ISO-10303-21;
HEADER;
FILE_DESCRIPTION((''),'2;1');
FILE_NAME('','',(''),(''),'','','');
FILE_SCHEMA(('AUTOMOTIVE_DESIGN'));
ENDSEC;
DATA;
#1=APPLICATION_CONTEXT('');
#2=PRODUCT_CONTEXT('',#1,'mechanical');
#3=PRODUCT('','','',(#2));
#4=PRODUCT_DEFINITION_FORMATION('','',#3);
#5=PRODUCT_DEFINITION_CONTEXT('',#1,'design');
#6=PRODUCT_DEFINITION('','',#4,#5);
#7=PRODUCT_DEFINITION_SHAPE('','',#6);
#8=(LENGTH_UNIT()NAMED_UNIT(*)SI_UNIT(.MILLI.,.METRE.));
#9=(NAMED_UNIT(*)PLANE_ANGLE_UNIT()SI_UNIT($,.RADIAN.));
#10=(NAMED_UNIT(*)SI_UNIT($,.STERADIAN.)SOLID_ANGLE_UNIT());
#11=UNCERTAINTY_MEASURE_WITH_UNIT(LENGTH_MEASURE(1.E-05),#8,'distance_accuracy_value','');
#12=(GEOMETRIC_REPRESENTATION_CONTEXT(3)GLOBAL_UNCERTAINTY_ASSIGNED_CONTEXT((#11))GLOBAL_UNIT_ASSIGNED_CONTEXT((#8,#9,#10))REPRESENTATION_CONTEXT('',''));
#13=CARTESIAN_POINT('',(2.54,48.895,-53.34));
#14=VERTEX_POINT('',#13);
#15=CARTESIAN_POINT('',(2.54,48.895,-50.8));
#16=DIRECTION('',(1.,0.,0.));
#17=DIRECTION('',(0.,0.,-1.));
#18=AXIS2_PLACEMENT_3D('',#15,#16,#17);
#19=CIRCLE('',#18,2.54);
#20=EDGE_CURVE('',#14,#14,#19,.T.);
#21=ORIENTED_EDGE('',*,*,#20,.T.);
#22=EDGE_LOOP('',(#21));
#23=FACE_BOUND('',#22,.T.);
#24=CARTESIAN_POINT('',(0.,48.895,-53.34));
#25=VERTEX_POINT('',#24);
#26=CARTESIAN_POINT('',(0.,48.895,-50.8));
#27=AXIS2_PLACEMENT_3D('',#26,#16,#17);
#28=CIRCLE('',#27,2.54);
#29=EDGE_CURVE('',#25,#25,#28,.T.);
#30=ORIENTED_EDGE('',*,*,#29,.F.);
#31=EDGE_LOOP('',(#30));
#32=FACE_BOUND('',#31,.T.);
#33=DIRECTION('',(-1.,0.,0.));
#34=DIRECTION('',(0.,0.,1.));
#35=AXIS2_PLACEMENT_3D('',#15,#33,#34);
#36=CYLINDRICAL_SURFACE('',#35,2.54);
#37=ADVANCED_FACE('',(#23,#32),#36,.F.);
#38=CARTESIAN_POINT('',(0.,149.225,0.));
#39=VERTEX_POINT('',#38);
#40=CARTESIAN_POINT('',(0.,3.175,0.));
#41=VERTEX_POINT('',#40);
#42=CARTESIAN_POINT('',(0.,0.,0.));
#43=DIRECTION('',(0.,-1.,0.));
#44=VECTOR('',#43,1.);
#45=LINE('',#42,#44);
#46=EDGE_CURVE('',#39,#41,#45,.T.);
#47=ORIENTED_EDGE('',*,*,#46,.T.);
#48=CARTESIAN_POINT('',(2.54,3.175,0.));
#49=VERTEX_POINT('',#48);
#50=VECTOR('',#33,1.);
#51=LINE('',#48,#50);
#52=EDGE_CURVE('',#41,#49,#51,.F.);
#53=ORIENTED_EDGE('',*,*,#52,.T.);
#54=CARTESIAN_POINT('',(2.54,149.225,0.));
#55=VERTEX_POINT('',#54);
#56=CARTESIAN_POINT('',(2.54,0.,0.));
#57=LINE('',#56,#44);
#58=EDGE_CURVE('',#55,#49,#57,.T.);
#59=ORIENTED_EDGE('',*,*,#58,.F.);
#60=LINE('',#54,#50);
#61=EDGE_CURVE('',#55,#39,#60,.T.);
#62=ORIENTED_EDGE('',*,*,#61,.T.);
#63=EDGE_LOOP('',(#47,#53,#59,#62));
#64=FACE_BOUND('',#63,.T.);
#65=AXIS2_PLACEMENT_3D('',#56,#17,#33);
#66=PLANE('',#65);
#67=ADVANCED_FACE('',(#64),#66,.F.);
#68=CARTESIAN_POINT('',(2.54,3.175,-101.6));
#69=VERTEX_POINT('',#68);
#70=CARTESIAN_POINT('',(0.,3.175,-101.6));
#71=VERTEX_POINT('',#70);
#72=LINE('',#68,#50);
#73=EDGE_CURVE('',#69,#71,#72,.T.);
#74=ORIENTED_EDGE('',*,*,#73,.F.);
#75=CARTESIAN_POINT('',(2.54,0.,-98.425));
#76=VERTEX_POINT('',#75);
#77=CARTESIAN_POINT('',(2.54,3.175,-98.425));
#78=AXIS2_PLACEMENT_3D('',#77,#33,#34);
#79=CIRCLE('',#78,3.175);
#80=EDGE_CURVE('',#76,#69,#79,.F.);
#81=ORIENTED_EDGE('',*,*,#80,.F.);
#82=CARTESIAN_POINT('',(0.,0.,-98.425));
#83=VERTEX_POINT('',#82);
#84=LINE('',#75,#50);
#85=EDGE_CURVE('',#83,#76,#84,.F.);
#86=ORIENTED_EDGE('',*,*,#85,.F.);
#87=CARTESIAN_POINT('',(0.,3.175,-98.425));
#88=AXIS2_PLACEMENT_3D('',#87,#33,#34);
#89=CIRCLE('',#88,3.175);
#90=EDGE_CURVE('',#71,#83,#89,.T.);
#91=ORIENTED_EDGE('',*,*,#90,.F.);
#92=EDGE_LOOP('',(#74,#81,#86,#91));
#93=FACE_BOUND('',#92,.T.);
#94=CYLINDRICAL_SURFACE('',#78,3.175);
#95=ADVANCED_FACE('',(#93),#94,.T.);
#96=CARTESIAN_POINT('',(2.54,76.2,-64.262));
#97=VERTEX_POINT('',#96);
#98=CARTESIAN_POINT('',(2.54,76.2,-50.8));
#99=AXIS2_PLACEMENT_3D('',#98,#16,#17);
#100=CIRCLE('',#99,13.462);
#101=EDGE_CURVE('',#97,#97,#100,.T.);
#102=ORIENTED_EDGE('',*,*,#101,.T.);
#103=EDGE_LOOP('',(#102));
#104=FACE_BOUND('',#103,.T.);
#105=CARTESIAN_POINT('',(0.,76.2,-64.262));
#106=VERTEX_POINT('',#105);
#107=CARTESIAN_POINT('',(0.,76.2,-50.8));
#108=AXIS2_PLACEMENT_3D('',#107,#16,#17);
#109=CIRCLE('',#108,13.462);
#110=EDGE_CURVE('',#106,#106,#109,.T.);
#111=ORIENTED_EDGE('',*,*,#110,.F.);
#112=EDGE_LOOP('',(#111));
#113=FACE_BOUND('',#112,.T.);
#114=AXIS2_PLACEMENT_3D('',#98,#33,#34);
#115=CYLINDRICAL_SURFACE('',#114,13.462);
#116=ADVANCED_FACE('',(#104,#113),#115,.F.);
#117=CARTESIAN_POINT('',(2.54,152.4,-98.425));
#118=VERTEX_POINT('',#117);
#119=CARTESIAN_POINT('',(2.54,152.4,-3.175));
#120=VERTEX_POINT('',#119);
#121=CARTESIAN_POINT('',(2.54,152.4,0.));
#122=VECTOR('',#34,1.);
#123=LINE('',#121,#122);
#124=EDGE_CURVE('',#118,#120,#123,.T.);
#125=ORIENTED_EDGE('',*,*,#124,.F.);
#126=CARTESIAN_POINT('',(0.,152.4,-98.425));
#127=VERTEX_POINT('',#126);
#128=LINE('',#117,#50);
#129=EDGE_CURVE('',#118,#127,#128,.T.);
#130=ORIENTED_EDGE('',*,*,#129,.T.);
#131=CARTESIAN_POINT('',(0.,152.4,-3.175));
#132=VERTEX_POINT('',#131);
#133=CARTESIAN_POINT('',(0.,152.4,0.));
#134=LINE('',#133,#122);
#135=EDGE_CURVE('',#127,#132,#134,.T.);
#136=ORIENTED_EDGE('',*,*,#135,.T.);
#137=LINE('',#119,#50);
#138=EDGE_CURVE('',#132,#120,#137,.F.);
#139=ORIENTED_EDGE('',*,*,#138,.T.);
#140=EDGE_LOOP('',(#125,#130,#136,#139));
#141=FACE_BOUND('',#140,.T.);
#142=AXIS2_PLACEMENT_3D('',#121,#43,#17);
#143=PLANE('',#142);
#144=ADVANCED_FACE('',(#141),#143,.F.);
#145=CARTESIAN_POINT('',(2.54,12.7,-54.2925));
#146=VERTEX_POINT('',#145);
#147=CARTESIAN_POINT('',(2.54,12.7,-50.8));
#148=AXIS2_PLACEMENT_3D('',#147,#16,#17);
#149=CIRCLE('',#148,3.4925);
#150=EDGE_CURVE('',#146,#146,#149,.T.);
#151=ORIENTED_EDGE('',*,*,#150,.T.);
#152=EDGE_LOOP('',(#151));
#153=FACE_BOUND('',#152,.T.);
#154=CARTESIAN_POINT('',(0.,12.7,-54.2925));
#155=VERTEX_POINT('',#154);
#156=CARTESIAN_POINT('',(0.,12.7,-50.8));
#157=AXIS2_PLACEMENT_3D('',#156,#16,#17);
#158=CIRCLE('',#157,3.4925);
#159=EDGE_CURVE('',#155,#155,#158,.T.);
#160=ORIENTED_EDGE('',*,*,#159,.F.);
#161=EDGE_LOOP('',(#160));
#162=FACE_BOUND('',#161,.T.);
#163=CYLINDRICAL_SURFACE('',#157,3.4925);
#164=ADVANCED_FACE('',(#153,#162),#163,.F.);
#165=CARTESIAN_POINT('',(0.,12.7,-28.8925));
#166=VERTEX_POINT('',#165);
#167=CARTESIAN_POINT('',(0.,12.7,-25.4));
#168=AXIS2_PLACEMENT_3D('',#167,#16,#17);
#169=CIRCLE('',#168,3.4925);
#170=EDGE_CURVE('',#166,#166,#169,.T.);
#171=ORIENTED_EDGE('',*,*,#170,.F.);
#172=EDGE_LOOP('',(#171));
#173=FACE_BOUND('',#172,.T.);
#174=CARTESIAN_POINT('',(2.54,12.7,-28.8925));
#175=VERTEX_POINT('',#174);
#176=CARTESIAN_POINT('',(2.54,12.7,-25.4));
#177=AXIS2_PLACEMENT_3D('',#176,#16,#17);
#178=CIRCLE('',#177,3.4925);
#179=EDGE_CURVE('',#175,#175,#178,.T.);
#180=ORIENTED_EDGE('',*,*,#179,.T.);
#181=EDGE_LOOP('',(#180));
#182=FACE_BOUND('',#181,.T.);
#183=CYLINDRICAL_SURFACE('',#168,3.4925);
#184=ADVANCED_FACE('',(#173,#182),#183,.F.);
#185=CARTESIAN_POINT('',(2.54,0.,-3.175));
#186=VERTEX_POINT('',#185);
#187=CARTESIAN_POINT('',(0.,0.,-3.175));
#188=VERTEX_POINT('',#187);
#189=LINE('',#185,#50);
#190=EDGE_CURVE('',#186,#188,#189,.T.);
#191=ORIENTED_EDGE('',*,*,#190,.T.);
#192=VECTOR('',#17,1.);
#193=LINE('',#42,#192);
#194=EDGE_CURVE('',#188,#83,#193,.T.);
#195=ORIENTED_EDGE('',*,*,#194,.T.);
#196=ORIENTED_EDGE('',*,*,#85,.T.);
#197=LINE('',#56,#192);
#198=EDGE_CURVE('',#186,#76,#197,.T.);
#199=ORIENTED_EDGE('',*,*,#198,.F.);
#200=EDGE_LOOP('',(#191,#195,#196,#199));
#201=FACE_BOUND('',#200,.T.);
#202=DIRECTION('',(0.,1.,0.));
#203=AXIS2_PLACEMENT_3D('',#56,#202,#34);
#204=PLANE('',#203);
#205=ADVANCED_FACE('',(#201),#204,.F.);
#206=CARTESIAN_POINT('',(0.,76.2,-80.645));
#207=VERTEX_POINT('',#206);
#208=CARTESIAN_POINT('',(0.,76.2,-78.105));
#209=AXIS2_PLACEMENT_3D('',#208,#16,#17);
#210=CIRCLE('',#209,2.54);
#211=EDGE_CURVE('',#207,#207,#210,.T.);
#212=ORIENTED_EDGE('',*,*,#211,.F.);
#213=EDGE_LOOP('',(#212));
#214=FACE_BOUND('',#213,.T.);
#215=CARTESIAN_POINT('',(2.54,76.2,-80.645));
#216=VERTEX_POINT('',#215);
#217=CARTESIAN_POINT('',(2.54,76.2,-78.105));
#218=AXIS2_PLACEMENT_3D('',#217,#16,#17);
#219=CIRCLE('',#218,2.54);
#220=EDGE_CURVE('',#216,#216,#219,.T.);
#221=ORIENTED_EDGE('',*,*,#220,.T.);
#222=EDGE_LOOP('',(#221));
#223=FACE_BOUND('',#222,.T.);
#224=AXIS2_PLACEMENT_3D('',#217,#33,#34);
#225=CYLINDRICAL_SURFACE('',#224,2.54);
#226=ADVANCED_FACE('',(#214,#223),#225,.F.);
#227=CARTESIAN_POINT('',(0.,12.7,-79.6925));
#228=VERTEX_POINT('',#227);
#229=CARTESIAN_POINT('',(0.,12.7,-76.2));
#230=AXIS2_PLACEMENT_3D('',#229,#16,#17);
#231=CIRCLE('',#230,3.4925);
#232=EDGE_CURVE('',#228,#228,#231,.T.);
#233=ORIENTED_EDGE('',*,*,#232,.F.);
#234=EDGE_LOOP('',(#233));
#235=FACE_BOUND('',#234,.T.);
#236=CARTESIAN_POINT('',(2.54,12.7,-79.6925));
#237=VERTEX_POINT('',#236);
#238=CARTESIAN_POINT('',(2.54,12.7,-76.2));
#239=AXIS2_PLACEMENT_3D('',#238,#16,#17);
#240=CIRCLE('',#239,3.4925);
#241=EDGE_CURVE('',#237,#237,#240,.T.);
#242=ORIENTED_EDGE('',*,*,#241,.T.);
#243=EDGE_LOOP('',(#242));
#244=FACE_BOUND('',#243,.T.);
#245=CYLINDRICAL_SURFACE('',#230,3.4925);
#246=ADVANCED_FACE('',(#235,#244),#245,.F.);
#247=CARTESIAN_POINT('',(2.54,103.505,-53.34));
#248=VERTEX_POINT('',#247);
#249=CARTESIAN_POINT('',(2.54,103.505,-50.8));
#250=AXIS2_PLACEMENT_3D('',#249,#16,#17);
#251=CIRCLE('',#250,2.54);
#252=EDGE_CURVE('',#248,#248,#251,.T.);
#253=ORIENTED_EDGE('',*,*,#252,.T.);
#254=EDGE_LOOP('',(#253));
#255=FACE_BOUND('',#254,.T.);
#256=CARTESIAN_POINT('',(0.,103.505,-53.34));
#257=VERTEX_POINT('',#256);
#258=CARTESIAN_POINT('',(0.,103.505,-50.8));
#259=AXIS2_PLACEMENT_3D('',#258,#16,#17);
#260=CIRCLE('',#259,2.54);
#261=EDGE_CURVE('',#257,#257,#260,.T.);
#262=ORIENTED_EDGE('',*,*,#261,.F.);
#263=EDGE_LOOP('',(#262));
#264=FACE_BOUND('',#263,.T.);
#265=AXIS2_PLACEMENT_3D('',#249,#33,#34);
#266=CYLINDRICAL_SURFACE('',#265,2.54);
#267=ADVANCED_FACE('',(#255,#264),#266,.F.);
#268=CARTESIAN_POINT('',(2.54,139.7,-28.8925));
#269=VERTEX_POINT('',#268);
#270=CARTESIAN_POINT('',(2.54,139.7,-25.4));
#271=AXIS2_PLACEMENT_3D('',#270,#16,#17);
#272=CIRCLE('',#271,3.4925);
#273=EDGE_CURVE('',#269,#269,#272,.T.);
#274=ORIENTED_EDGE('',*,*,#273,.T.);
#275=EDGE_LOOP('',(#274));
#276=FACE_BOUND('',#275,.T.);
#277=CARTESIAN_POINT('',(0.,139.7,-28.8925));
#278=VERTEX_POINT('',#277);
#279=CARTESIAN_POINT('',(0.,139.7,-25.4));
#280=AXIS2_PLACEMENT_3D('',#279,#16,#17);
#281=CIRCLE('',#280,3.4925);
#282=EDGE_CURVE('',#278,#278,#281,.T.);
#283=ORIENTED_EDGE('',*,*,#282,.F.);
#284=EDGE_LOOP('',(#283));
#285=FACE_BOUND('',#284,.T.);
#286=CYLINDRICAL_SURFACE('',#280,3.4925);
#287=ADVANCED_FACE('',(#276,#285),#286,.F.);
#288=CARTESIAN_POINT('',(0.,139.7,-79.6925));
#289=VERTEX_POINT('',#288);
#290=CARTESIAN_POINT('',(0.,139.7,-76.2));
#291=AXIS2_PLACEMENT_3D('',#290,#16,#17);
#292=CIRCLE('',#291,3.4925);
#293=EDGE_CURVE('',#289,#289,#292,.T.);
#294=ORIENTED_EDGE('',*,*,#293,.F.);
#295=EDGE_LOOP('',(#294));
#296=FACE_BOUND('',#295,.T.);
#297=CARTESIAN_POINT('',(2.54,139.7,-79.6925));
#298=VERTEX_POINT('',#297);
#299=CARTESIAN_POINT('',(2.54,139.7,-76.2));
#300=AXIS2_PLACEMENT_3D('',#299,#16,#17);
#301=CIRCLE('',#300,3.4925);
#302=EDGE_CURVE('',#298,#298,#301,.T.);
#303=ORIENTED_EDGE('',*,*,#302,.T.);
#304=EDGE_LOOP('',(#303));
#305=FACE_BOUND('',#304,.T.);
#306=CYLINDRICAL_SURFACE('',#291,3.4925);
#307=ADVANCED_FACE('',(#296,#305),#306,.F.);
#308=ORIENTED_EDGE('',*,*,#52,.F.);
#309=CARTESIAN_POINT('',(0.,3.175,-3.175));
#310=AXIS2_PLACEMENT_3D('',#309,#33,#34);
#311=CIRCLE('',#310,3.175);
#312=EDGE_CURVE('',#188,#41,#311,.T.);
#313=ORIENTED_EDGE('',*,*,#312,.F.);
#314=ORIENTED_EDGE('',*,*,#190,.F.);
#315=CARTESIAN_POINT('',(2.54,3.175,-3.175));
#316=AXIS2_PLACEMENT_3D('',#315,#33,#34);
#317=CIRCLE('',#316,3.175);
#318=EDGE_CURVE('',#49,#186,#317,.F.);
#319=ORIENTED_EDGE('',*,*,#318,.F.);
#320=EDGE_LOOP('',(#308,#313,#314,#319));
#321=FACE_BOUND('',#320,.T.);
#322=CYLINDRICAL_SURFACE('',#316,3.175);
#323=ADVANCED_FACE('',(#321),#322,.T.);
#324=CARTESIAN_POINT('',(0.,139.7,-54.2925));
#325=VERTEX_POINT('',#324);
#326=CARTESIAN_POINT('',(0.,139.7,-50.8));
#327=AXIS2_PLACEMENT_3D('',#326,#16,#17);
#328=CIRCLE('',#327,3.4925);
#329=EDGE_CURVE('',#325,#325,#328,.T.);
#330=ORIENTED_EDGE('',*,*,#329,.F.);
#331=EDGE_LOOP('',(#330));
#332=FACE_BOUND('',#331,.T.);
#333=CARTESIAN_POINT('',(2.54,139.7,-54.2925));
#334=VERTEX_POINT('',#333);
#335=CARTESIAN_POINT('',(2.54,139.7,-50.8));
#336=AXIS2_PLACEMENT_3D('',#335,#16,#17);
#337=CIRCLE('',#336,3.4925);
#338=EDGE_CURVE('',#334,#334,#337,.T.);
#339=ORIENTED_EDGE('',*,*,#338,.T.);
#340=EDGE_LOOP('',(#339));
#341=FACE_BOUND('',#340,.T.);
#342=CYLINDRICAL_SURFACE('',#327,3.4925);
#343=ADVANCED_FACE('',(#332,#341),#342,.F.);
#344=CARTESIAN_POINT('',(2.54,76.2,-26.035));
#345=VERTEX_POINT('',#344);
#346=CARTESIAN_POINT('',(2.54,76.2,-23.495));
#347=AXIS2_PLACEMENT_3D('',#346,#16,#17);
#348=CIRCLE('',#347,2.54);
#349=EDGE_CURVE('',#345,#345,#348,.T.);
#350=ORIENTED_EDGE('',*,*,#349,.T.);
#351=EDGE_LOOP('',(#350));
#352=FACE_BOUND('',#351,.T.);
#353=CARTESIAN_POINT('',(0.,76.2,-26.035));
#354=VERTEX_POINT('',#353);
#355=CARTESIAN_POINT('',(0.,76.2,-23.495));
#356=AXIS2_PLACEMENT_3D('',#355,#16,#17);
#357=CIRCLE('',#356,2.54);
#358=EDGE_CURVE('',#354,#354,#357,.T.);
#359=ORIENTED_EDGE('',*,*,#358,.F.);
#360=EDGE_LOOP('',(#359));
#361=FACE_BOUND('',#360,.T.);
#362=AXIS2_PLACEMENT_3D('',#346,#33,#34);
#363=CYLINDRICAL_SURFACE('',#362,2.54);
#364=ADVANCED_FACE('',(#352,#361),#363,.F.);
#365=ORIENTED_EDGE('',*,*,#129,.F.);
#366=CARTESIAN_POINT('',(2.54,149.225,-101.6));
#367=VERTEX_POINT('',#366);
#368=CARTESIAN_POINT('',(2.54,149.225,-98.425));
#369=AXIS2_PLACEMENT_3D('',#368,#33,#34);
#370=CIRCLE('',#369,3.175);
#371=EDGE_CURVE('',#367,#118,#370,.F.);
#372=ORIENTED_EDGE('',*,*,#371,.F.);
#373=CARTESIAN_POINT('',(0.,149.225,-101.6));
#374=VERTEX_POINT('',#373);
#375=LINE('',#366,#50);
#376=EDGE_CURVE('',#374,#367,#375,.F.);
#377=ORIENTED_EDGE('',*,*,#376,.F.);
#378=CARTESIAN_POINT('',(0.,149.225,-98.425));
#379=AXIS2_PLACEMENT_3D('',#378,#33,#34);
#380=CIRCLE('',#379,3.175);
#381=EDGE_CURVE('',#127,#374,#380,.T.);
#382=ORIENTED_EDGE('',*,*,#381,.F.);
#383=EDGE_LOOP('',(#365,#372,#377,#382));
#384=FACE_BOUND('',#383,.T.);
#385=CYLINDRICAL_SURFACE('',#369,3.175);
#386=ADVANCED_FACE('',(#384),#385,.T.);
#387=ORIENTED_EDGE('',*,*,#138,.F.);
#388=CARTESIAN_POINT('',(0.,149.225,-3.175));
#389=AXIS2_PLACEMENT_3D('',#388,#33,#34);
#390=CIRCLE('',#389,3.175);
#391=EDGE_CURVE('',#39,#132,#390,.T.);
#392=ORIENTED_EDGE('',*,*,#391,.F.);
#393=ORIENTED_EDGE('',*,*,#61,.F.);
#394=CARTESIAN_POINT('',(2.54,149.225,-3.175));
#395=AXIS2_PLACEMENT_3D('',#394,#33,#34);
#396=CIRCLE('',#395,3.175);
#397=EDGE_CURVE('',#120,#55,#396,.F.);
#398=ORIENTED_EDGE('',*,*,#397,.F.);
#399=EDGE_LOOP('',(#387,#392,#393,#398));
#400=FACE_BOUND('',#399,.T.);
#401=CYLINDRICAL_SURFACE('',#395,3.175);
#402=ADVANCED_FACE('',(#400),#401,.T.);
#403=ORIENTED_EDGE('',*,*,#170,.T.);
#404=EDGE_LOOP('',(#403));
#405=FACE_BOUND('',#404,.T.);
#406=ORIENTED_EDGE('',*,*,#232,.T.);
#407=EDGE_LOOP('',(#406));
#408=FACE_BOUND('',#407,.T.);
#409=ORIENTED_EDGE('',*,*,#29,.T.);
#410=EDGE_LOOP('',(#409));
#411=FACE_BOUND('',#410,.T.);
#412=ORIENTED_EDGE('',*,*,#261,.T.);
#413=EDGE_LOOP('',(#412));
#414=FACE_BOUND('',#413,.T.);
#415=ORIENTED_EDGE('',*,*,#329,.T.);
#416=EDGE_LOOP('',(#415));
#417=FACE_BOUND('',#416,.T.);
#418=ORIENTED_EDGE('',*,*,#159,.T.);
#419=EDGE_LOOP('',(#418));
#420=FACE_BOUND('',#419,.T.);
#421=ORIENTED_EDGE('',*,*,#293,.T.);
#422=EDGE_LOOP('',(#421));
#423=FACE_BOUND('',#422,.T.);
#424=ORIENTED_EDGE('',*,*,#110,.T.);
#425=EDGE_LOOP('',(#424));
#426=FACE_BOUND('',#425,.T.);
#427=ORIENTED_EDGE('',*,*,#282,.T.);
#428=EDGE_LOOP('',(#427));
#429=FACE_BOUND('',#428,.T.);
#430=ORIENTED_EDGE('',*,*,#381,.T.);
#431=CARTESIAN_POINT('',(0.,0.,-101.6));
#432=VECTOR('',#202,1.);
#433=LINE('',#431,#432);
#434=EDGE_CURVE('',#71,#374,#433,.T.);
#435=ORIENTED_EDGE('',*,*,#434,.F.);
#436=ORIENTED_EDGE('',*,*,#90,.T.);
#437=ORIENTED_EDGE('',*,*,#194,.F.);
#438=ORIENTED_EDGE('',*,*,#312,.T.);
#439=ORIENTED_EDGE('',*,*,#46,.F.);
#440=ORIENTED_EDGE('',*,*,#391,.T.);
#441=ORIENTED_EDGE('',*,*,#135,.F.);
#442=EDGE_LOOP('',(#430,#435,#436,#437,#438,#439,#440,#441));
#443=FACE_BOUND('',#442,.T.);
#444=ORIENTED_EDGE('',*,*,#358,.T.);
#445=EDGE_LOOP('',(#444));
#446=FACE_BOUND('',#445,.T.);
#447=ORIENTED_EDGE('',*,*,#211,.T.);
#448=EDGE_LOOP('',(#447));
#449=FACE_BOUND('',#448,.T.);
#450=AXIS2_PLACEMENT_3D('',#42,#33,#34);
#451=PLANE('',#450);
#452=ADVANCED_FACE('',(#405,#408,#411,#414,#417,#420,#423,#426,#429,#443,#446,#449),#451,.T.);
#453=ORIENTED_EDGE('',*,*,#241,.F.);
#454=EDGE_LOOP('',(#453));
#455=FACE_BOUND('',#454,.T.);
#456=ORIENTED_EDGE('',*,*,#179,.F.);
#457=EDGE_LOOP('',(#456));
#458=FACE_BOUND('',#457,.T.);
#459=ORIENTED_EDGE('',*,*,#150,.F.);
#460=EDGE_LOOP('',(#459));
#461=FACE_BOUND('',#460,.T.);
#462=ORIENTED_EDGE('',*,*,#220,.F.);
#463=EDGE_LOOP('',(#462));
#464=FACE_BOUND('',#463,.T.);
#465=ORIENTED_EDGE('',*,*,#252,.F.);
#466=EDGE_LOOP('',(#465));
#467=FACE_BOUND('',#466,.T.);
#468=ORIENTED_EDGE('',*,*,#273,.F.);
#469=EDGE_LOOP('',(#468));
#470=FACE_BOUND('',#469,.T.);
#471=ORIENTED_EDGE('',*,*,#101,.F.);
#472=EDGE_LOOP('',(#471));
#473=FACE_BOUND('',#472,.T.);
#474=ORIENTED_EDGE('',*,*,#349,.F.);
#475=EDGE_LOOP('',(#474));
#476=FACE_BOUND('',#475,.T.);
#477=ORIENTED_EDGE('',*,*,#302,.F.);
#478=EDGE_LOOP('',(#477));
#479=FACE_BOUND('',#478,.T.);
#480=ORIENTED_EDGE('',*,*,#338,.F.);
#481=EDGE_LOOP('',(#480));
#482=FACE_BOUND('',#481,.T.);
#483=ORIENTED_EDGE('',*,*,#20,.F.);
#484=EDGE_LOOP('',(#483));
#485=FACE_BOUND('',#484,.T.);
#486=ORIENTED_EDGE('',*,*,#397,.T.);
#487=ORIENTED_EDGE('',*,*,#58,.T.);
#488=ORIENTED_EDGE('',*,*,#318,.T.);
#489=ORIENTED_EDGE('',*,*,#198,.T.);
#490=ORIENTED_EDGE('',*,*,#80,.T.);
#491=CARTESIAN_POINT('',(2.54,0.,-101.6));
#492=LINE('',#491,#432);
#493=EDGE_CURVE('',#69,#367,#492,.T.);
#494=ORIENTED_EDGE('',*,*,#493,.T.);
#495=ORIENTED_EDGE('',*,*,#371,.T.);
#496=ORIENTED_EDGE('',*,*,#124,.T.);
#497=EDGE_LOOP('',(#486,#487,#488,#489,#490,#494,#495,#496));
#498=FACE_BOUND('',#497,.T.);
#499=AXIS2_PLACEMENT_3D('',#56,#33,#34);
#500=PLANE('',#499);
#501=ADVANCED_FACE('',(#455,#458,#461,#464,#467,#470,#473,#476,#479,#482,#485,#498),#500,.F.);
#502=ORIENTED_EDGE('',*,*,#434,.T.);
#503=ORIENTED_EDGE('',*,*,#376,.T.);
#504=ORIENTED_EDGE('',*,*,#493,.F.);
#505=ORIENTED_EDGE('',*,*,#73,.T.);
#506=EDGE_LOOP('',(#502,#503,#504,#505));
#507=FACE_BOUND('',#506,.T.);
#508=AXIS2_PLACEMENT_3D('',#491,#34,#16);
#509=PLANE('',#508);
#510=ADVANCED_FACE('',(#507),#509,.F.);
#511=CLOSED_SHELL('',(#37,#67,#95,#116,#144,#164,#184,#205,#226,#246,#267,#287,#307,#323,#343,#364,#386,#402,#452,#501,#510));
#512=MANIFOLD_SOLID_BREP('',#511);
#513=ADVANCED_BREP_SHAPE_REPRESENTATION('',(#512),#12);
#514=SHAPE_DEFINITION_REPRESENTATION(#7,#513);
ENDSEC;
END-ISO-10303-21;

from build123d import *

# Parameters (mm, degrees)
SKETCH1_W           = 101.6
SKETCH1_H           = 152.4
SKETCH1_R           = 2.54
SKETCH1_R_2         = 13.462
BOSS_EXTRUDE2_DEPTH = 2.54
SKETCH2_R           = 3.4925
CUT_EXTRUDE1_DEPTH  = 184.179615678
LPATTERN2_COUNT     = 2
LPATTERN2_PITCH     = 25.4
LPATTERN3_COUNT     = 2
LPATTERN3_PITCH     = 25.4
FILLET1_R           = 3.175


with BuildPart() as part:
    # Sketch1 → Boss-Extrude2 (new body)
    with BuildSketch(Plane(origin=(0, 0, 0), x_dir=(0, 0, -1), z_dir=(1, 0, 0))):
        with Locations((50.8, 76.2)):
            Rectangle(SKETCH1_W, SKETCH1_H)
        with Locations((78.105, 76.2)):
            Circle(SKETCH1_R, mode=Mode.SUBTRACT)
        with Locations((50.8, 76.2)):
            Circle(SKETCH1_R_2, mode=Mode.SUBTRACT)
        with Locations((50.8, 48.895)):
            Circle(SKETCH1_R, mode=Mode.SUBTRACT)
        with Locations((23.495, 76.2)):
            Circle(SKETCH1_R, mode=Mode.SUBTRACT)
        with Locations((50.8, 103.505)):
            Circle(SKETCH1_R, mode=Mode.SUBTRACT)
    extrude(amount=BOSS_EXTRUDE2_DEPTH)

    # Sketch2 → Cut-Extrude1 (cut, through all)
    with BuildSketch(Plane(origin=(2.54, 0, 0), x_dir=(0, 0, -1), z_dir=(1, 0, 0))):
        with Locations((50.8, 139.7)):
            Circle(SKETCH2_R)
        with Locations((50.8, 12.7)):
            Circle(SKETCH2_R)
    cut_extrude1 = extrude(amount=-CUT_EXTRUDE1_DEPTH, mode=Mode.SUBTRACT)

    # LPattern2: Cut-Extrude1 ×2
    with Locations(*[(0, 0, -i * LPATTERN2_PITCH) for i in range(1, LPATTERN2_COUNT)]):
        add(cut_extrude1, mode=Mode.SUBTRACT)

    # LPattern3: Cut-Extrude1 ×2
    with Locations(*[(0, 0, i * LPATTERN3_PITCH) for i in range(1, LPATTERN3_COUNT)]):
        add(cut_extrude1, mode=Mode.SUBTRACT)

    # Fillet1
    fillet1_edges = [part.edges().sort_by_distance(p)[0] for p in [
        (1.27, 152.4, 0),
        (1.27, 152.4, -101.6),
        (1.27, 0, -101.6),
        (1.27, 0, 0),
    ]]
    fillet(fillet1_edges, radius=FILLET1_R)


solid = part.part
